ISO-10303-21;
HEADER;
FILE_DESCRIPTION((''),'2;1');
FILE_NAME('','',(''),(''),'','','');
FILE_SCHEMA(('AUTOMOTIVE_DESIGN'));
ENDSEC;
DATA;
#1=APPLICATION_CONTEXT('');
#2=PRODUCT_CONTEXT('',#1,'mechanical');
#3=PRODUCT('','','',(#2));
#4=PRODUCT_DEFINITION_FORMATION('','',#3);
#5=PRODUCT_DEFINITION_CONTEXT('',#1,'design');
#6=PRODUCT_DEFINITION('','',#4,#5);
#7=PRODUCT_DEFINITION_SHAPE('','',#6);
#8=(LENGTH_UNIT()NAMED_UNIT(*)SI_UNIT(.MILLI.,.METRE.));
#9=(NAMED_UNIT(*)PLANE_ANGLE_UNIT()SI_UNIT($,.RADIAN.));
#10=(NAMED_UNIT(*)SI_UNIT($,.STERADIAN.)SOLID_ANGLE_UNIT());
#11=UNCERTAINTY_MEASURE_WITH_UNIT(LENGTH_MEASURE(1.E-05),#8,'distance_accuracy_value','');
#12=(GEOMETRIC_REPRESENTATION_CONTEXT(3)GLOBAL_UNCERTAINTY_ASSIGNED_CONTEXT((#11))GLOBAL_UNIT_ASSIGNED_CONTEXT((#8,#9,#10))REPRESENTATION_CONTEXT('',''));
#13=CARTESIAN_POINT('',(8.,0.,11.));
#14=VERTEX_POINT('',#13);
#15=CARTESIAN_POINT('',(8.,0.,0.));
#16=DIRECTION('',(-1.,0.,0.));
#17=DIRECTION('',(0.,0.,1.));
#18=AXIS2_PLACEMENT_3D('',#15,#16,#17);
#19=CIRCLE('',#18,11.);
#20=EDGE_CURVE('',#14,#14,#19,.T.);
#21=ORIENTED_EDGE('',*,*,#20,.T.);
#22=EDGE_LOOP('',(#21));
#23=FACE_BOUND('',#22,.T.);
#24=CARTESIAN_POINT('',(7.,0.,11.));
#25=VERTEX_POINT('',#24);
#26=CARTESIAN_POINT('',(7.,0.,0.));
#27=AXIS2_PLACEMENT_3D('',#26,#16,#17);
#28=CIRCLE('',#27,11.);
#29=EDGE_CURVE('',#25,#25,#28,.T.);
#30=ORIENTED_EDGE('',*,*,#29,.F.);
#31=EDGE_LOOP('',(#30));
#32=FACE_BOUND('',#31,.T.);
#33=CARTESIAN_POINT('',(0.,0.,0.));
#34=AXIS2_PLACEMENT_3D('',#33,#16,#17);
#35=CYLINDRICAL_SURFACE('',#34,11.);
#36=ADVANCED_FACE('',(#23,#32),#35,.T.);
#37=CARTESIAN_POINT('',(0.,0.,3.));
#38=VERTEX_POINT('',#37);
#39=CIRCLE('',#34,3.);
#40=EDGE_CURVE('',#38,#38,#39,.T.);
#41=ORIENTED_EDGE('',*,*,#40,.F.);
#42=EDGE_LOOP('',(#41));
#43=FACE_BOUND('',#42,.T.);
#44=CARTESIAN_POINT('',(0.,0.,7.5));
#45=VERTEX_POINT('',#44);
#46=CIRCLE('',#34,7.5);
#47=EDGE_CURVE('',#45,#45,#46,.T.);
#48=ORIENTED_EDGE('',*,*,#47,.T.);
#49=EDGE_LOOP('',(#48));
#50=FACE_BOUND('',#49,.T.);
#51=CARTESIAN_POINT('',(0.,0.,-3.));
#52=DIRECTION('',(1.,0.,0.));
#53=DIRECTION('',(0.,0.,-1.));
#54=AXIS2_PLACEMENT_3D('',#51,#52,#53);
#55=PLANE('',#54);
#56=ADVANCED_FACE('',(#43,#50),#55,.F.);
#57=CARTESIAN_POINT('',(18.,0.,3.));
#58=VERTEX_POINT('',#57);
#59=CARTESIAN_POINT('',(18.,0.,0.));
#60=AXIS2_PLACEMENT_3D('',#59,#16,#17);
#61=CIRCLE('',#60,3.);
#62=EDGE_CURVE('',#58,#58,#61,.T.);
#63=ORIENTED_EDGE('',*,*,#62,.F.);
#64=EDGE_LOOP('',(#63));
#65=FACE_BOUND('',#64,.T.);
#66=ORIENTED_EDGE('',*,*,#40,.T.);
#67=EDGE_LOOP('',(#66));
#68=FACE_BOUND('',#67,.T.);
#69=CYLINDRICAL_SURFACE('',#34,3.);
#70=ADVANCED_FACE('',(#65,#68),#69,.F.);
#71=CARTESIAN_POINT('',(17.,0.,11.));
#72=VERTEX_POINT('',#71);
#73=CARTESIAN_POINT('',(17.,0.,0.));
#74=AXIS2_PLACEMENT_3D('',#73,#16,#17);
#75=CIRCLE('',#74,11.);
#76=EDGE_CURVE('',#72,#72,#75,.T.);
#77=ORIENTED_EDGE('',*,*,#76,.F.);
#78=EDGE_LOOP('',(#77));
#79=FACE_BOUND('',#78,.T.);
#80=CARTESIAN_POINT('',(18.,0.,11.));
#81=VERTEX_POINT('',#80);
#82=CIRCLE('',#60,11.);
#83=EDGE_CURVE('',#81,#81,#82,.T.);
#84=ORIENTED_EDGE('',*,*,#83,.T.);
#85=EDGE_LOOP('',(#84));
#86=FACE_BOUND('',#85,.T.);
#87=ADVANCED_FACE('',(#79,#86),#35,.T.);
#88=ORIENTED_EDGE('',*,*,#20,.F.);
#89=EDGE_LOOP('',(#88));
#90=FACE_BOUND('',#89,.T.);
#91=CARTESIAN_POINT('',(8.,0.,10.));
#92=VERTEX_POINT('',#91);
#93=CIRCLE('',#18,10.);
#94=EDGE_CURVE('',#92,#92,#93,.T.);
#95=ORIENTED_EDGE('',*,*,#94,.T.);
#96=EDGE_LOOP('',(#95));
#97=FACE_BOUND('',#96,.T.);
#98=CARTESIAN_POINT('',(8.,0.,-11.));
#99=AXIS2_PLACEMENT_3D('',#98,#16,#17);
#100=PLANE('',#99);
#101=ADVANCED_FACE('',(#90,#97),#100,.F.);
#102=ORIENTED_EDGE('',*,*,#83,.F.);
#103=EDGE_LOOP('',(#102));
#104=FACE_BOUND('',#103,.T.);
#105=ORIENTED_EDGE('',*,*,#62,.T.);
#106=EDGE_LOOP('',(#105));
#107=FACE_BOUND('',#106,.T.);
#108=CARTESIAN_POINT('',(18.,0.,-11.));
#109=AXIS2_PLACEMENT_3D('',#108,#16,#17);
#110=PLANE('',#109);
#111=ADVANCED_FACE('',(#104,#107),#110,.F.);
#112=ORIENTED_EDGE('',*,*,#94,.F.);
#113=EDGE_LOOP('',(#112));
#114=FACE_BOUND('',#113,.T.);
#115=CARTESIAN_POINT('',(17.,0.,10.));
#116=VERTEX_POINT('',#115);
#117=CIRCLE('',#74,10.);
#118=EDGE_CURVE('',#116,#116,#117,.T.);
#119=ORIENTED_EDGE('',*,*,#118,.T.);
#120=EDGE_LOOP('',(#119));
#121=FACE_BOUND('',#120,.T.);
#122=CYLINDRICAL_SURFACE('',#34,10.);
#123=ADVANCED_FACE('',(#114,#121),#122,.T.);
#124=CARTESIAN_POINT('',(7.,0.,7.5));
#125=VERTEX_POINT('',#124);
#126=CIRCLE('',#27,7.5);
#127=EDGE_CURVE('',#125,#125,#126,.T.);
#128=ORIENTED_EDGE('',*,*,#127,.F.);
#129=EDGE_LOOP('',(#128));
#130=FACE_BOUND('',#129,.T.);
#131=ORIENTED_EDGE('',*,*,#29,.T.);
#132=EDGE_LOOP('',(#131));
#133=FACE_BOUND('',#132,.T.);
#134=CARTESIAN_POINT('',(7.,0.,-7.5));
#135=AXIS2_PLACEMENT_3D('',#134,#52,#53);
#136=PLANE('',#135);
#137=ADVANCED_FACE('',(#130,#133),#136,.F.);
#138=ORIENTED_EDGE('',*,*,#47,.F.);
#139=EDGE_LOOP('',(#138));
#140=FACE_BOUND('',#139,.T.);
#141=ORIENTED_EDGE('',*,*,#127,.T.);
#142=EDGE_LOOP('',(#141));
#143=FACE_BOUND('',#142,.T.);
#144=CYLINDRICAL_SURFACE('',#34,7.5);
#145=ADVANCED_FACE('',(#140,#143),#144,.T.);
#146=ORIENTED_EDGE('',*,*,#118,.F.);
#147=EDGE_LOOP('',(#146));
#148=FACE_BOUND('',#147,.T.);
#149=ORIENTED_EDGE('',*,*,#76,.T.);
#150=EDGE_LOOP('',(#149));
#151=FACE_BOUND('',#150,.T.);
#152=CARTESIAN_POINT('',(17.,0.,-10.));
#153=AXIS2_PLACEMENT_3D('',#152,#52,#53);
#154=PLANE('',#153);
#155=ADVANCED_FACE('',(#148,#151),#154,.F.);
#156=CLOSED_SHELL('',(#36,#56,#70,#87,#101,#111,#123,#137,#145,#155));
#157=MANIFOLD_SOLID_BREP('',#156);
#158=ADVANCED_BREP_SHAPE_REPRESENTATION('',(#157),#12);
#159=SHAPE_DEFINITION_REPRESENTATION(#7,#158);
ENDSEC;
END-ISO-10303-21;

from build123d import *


with BuildPart() as part:
    # Sketch1 → Revolve1 (revolve)
    with BuildSketch(Plane(origin=(0, 0, 0), x_dir=(1, 0, 0), z_dir=(0, 1, 0)), mode=Mode.PRIVATE) as revolve1_sk:
        Polygon((0, 3), (0, 7.5), (7, 7.5), (7, 11), (8, 11), (8, 10), (17, 10), (17, 11), (18, 11), (18, 3), align=None)
    revolve(revolve1_sk.sketch.rotate(Axis((0, 0, 0), (1, 0, 0)), 180), axis=Axis((0, 0, 0), (1, 0, 0)))


solid = part.part
